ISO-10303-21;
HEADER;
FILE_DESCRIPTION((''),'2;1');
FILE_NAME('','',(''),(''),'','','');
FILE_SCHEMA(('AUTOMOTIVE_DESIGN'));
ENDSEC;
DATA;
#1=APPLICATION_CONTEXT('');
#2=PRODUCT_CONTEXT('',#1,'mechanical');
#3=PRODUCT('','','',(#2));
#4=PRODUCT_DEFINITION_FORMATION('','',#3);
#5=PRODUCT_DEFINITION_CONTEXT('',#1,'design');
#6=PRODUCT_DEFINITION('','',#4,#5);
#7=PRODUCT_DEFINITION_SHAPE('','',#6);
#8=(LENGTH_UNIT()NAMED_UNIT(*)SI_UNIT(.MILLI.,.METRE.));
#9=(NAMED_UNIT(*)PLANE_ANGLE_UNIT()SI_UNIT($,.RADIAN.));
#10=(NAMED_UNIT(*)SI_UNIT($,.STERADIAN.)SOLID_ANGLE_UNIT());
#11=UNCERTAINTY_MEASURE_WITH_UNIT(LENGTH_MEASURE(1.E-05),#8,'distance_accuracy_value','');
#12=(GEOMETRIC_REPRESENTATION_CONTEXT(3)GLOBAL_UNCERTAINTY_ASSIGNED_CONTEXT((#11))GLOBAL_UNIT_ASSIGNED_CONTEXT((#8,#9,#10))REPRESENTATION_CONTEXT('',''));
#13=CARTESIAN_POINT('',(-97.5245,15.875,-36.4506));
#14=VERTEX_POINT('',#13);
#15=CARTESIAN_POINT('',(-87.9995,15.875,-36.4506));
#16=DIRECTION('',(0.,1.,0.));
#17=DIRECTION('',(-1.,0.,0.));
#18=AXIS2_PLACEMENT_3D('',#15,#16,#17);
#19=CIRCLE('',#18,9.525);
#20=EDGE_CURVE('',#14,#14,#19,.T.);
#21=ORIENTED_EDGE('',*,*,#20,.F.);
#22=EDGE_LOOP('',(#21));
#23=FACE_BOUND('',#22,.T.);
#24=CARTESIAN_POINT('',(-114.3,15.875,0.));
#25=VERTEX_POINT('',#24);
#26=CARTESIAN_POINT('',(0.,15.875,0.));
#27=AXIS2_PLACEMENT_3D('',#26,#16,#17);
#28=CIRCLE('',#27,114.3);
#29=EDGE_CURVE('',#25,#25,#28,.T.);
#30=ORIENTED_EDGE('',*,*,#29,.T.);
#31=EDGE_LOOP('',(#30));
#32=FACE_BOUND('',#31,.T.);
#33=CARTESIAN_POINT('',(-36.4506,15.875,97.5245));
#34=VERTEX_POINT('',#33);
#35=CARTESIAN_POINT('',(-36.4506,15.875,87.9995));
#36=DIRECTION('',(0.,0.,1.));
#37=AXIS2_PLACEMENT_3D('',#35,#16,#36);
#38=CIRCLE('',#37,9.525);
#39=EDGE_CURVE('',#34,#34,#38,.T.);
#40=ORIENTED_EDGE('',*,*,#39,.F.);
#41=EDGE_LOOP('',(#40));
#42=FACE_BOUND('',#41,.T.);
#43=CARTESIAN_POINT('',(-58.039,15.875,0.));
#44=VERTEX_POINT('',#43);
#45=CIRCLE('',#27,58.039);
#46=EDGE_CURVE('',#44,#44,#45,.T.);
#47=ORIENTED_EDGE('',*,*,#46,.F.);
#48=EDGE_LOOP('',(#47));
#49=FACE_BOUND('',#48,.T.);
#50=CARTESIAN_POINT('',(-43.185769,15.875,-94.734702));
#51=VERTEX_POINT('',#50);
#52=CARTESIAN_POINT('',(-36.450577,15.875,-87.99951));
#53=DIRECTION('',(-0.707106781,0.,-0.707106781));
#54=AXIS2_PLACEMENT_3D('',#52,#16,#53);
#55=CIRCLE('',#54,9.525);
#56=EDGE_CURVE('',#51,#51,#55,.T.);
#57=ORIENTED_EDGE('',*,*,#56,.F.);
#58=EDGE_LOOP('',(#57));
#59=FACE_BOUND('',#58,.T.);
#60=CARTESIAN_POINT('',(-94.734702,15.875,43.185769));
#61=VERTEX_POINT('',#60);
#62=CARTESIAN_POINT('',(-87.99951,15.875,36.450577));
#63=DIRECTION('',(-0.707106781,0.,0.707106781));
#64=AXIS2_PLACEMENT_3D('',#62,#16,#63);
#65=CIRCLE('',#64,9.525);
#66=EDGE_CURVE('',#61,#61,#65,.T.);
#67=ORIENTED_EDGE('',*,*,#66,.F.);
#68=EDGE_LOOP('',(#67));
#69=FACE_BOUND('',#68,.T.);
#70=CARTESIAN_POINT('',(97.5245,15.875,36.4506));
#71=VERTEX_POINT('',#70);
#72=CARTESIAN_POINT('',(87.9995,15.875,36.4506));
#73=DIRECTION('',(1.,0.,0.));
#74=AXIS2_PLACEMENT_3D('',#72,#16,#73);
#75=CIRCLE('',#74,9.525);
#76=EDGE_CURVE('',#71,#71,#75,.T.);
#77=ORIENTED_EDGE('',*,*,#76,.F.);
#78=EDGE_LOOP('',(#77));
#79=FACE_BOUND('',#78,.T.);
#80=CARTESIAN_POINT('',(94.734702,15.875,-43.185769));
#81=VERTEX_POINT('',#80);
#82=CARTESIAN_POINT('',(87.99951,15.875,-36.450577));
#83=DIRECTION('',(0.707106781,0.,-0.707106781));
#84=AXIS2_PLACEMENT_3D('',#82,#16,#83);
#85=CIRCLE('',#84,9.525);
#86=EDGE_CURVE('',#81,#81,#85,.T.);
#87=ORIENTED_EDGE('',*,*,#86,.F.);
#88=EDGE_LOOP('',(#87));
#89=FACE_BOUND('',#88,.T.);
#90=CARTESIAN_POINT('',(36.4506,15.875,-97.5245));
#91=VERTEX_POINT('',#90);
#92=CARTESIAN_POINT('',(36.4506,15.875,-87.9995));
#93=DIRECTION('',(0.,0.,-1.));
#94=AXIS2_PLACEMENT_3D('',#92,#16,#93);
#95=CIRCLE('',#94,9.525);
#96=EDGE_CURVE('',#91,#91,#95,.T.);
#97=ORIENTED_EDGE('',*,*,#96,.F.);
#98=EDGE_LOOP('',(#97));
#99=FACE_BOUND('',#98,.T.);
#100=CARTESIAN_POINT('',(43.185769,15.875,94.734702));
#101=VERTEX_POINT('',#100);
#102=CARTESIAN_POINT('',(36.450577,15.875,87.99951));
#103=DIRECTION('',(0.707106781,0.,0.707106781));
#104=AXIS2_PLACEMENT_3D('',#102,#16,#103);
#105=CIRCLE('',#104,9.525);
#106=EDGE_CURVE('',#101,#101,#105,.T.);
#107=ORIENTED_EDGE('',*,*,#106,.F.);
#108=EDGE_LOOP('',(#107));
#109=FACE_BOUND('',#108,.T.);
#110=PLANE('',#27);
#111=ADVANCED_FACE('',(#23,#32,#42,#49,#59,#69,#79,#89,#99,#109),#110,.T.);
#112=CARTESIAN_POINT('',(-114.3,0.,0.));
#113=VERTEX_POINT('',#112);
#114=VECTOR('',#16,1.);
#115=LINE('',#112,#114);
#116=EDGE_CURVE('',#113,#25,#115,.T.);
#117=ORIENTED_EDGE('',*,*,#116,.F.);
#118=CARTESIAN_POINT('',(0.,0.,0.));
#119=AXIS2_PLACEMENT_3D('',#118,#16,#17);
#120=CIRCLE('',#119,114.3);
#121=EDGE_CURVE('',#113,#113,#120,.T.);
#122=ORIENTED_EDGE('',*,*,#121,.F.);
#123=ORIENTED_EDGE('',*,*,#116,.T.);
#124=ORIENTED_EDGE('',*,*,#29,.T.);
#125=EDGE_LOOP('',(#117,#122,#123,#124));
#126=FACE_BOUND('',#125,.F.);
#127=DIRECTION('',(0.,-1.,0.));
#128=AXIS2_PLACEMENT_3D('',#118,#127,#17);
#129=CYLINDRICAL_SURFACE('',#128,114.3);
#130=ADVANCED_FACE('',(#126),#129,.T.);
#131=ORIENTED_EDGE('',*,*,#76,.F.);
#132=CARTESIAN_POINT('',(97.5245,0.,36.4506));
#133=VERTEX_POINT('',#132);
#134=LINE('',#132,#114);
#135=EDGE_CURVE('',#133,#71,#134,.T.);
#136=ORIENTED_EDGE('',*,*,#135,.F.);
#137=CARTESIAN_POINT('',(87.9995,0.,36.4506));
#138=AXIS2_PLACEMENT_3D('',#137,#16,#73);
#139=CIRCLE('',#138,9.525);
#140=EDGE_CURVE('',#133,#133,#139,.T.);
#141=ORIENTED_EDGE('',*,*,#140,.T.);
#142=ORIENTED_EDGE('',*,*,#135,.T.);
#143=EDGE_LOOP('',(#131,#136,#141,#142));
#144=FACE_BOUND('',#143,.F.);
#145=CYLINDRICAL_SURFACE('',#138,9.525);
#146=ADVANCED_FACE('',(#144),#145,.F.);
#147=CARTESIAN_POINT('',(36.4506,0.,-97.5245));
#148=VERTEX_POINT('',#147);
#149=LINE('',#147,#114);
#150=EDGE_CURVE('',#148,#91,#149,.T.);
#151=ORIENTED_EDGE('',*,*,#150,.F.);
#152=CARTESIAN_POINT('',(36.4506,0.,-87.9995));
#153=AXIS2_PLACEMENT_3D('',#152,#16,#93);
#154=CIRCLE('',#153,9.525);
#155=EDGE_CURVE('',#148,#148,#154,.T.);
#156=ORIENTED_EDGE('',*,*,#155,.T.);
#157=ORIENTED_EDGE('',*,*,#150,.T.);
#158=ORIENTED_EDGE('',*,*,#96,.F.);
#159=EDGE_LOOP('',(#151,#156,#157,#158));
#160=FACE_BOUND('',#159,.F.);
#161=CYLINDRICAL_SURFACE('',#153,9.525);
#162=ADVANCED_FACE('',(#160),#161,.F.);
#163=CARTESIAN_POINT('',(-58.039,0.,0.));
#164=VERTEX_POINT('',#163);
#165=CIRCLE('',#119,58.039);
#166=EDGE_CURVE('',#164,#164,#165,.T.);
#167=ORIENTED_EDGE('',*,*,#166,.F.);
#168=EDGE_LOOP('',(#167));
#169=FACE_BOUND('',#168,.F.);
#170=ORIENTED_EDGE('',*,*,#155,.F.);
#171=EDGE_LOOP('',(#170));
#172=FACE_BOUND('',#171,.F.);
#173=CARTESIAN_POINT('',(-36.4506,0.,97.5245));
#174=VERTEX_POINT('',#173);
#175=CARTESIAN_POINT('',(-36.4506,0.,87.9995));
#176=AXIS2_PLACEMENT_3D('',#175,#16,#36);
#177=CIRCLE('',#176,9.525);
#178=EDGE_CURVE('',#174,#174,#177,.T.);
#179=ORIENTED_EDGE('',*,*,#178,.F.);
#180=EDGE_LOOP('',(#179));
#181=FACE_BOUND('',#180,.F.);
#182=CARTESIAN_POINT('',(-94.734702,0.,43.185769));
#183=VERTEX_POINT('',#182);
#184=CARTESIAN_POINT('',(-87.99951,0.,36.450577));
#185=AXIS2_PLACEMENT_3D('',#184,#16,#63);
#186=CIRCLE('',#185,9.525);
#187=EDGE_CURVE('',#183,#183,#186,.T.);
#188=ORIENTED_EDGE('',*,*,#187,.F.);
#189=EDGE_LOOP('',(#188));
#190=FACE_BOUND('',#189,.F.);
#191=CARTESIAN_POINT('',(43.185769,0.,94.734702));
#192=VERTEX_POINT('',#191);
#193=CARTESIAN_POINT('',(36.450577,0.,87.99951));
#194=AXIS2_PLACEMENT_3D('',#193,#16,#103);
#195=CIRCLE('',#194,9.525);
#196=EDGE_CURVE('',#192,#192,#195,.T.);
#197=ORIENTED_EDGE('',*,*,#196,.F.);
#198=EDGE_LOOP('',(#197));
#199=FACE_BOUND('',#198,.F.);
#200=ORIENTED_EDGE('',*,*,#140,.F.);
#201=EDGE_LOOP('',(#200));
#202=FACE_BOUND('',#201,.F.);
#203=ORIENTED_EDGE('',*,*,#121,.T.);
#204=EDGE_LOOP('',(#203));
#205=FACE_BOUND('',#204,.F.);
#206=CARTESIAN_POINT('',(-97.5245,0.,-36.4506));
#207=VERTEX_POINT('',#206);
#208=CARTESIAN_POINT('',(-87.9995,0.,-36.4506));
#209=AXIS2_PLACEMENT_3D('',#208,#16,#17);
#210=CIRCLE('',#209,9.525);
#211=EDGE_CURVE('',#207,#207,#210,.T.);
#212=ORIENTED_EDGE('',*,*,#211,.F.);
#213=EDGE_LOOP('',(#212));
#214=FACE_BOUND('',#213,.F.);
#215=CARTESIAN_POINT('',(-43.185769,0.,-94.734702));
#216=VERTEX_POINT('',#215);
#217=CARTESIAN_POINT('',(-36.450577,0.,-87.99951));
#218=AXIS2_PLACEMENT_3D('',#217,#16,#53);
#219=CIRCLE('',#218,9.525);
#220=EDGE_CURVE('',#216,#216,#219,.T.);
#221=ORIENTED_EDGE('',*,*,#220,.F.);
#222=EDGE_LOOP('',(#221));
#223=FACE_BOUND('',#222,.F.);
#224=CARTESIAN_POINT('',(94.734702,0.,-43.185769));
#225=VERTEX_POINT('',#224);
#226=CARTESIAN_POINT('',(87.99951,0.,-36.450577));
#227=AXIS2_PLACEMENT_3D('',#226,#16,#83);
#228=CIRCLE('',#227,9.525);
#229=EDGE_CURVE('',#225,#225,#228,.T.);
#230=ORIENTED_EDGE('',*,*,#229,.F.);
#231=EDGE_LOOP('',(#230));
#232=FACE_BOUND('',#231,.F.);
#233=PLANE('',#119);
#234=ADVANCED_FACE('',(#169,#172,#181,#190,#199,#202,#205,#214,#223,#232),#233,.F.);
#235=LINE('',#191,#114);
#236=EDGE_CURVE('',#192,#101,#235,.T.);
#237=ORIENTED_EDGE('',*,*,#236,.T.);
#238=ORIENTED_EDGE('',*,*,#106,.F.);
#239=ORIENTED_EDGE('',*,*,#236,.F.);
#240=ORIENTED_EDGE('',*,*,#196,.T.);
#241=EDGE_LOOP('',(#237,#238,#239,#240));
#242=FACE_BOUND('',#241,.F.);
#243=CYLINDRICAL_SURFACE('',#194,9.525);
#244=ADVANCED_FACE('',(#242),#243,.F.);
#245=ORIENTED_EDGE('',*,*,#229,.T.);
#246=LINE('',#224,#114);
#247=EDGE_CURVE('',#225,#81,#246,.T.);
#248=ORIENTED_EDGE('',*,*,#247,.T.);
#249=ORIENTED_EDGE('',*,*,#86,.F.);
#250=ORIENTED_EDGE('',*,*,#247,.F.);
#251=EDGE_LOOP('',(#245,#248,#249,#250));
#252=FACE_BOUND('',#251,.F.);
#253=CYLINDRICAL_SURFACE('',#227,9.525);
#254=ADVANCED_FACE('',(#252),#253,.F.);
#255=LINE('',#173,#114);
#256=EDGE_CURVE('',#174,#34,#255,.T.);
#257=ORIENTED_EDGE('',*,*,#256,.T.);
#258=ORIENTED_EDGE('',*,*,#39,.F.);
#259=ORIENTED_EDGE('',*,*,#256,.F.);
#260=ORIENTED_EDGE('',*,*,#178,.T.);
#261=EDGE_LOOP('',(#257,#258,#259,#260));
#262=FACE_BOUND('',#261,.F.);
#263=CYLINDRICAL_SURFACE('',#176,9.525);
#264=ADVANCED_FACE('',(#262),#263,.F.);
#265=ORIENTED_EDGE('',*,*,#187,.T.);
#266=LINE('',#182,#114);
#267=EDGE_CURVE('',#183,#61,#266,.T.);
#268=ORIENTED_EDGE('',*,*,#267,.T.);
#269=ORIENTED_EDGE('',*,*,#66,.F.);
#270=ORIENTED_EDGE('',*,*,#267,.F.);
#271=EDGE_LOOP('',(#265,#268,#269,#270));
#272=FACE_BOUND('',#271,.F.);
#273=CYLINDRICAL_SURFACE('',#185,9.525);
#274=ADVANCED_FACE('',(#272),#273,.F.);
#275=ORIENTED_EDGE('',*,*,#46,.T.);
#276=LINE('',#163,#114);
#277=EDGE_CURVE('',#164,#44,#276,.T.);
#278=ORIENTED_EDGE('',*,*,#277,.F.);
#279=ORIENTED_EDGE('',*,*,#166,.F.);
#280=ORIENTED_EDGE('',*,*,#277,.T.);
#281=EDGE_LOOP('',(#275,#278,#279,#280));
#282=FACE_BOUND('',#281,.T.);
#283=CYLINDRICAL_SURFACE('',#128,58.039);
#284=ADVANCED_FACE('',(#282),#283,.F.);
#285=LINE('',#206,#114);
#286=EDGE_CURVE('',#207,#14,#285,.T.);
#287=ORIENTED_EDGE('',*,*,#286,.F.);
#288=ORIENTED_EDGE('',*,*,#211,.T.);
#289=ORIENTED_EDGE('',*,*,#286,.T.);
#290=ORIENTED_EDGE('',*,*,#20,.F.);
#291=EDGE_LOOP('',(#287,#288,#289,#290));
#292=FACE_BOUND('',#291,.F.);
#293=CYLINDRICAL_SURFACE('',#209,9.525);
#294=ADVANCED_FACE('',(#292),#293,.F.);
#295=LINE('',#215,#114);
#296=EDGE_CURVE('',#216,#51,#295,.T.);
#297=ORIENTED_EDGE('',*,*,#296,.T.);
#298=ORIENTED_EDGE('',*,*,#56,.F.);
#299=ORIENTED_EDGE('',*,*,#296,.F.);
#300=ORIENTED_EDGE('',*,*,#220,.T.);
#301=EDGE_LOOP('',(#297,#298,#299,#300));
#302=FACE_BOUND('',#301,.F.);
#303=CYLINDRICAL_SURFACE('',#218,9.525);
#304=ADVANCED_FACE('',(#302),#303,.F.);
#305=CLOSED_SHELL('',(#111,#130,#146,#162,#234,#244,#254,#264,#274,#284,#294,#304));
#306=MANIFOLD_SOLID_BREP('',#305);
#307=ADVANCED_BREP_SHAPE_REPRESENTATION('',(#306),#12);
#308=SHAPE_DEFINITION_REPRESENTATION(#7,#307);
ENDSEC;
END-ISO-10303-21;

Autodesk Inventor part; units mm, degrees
ref_plane "YZ Plane" through (0, 0, 0) normal (1, 0, 0) x (0, 1, 0)
ref_plane "XZ Plane" through (0, 0, 0) normal (0, 1, 0) x (-1, 0, 0)
ref_plane "XY Plane" through (0, 0, 0) normal (0, 0, 1) x (1, 0, 0)
sketch "Flange Sketch" plane through (0, 0, 0) normal (0, 1, 0) x (-1, 0, 0)
  circle A0 centre (0, 0) radius 114.3
  circle A1 centre (0, 0) radius 58.039
  circle A2 centre (0, 0) radius 95.25 construction
  line L0 (0, 0) -> (-36.4506, -87.9995) construction
  line L1 (0, 0) -> (0, -95.25) construction
  dimension "outerDiam" = 228.6
  dimension "innerDiam" = 116.078
  dimension "boltCircle" = 190.5
  dimension "boltOffsetAngle" = 22.5
extrude "Flange Extrusion" add sketch "Flange Sketch" along normal blind 15.875
hole "Bolt Hole" at (36.4506, 0, -87.9995) direction (0, 1, 0) diameter 19.05 depth 15.875
pattern_circular "Bolt Hole Pattern" count 8 over 360 about axis through (0, -10, 0) along (0, 1, 0) of "Bolt Hole"
equation "\"nominalSize\" = 101.6"
properties part number "AWWA-C207-B4-S"
